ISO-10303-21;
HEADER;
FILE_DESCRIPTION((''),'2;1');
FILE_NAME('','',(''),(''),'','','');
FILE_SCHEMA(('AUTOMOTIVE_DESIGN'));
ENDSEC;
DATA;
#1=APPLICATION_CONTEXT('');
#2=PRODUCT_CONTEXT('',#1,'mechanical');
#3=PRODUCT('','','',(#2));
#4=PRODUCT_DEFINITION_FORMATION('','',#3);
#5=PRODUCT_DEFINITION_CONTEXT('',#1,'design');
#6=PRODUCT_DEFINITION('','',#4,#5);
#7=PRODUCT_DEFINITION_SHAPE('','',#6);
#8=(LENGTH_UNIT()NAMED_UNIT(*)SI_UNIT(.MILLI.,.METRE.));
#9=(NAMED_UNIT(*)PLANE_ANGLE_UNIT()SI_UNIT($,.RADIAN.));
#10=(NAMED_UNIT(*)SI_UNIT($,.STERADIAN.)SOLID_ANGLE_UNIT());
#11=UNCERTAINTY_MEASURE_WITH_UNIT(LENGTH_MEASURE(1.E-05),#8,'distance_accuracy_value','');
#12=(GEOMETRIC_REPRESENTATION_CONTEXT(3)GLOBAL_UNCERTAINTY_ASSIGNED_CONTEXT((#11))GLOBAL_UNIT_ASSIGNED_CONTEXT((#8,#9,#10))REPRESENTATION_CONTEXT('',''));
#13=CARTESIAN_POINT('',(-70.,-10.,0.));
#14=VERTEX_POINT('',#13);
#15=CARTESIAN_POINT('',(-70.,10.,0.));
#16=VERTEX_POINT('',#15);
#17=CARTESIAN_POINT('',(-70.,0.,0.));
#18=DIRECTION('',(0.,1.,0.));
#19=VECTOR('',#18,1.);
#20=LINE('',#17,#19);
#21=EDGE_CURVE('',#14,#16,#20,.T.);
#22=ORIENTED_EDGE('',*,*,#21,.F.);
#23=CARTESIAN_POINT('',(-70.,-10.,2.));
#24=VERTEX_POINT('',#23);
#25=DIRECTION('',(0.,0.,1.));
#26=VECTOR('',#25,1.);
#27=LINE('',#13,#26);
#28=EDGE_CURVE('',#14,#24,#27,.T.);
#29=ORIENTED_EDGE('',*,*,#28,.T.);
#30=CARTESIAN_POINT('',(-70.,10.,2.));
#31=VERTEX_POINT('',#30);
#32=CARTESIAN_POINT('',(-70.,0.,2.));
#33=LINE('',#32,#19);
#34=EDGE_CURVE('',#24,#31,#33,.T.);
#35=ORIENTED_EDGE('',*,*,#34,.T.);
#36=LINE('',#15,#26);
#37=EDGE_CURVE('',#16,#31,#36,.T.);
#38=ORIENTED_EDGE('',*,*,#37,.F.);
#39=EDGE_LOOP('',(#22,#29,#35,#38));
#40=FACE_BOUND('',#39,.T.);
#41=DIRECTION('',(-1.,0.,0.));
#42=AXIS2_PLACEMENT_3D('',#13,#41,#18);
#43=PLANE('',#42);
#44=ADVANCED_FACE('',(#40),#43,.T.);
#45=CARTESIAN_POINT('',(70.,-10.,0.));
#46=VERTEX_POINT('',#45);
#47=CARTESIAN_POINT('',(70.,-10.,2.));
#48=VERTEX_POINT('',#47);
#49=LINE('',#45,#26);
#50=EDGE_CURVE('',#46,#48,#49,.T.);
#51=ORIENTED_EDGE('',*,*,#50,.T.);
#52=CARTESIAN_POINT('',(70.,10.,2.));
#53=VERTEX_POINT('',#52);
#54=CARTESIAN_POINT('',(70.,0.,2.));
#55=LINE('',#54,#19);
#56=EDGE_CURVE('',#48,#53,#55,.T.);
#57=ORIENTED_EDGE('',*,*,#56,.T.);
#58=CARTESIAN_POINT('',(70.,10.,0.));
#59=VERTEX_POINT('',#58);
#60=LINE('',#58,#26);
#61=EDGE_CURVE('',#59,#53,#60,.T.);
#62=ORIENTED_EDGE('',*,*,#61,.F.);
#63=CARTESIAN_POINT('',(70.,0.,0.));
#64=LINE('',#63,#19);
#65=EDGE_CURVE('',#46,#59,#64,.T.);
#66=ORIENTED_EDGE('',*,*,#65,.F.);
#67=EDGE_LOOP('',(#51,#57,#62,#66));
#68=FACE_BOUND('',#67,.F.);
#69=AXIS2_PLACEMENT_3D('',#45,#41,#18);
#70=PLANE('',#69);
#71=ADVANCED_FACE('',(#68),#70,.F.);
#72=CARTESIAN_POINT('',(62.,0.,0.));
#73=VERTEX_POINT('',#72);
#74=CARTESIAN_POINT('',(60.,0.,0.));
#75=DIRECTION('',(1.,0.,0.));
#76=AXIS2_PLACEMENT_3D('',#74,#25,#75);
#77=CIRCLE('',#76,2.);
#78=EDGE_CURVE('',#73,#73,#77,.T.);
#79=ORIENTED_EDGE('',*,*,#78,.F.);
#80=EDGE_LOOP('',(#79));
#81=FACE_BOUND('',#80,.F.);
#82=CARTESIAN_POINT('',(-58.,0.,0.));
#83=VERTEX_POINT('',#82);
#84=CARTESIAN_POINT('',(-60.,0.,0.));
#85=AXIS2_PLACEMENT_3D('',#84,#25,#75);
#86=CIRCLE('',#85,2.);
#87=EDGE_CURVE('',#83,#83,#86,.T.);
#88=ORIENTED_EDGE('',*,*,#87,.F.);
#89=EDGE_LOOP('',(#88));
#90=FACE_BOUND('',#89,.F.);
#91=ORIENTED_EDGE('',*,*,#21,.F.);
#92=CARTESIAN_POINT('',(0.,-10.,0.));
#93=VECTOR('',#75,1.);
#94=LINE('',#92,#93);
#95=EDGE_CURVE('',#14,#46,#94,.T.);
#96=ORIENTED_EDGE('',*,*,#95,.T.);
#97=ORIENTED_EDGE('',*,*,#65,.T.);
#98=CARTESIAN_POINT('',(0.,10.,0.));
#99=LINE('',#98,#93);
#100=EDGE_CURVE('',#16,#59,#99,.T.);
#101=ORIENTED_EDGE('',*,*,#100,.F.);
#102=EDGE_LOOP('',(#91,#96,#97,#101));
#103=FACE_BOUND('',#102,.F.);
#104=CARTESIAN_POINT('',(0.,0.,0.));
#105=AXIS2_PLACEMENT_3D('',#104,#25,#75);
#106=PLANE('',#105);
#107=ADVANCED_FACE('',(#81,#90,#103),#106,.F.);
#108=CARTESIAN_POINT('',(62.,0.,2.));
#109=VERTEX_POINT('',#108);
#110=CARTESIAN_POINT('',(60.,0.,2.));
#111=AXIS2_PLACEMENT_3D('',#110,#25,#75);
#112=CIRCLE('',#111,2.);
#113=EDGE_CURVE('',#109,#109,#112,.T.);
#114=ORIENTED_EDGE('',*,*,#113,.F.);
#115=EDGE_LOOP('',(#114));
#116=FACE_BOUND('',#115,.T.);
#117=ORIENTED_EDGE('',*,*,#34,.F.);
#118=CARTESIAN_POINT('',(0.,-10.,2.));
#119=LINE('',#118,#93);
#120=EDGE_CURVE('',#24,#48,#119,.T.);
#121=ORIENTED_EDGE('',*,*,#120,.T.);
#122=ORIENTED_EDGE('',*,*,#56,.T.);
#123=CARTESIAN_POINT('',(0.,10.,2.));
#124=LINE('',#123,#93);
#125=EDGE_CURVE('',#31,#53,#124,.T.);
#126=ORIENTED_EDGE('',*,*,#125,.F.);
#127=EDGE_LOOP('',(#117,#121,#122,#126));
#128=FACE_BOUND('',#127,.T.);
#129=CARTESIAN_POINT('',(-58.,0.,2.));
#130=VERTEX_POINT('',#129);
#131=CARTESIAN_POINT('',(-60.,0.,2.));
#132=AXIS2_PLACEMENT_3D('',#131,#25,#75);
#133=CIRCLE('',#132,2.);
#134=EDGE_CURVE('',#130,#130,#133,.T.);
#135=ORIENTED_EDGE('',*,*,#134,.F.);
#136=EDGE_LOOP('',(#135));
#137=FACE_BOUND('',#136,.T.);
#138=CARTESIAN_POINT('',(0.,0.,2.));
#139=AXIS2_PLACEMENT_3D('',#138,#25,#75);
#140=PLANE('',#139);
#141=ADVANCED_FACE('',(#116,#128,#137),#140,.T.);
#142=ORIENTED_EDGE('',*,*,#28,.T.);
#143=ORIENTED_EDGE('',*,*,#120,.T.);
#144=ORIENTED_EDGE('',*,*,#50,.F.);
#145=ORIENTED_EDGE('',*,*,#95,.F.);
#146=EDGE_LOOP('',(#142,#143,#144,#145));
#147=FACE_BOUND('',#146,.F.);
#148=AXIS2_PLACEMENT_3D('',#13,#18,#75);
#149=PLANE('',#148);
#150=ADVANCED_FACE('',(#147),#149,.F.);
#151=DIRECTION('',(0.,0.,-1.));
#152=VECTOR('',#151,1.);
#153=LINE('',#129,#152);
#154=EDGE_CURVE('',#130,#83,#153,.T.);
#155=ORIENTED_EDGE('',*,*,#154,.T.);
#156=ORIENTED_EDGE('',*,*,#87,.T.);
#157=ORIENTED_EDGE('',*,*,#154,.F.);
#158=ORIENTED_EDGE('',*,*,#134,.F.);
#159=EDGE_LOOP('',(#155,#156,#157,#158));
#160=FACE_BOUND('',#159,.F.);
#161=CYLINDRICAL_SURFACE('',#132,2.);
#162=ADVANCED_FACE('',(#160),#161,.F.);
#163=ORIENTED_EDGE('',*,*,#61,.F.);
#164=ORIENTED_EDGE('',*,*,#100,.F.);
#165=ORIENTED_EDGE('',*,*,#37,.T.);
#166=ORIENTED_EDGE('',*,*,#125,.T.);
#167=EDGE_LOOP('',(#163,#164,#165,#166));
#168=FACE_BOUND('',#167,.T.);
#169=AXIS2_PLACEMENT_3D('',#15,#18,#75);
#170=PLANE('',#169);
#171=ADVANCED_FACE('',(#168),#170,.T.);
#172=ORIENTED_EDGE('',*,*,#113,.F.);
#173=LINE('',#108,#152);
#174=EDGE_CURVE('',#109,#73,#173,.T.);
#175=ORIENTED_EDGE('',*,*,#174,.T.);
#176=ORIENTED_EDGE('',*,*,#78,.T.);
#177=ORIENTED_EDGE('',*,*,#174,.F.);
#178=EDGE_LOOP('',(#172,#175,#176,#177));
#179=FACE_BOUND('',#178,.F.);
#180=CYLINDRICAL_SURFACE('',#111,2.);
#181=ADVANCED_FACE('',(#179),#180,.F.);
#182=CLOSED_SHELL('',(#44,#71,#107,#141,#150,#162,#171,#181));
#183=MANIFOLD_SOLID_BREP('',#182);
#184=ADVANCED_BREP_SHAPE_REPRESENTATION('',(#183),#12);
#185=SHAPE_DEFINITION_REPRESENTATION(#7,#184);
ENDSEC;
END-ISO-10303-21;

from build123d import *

# Parameters (mm, degrees)
SKETCH1_W           = 140
SKETCH1_H           = 20
BOSS_EXTRUDE1_DEPTH = 2
SKETCH2_R           = 2
CUT_EXTRUDE1_DEPTH  = 3


with BuildPart() as part:
    # Sketch1 → Boss-Extrude1 (new body)
    with BuildSketch(Plane.XY):
        Rectangle(SKETCH1_W, SKETCH1_H)
    extrude(amount=BOSS_EXTRUDE1_DEPTH)

    # Sketch2 → Cut-Extrude1 (cut, through all)
    with BuildSketch(Plane.XY.offset(2)):
        with Locations((-60, 0)):
            Circle(SKETCH2_R)
        with Locations((60, 0)):
            Circle(SKETCH2_R)
    extrude(amount=-CUT_EXTRUDE1_DEPTH, mode=Mode.SUBTRACT)


solid = part.part
